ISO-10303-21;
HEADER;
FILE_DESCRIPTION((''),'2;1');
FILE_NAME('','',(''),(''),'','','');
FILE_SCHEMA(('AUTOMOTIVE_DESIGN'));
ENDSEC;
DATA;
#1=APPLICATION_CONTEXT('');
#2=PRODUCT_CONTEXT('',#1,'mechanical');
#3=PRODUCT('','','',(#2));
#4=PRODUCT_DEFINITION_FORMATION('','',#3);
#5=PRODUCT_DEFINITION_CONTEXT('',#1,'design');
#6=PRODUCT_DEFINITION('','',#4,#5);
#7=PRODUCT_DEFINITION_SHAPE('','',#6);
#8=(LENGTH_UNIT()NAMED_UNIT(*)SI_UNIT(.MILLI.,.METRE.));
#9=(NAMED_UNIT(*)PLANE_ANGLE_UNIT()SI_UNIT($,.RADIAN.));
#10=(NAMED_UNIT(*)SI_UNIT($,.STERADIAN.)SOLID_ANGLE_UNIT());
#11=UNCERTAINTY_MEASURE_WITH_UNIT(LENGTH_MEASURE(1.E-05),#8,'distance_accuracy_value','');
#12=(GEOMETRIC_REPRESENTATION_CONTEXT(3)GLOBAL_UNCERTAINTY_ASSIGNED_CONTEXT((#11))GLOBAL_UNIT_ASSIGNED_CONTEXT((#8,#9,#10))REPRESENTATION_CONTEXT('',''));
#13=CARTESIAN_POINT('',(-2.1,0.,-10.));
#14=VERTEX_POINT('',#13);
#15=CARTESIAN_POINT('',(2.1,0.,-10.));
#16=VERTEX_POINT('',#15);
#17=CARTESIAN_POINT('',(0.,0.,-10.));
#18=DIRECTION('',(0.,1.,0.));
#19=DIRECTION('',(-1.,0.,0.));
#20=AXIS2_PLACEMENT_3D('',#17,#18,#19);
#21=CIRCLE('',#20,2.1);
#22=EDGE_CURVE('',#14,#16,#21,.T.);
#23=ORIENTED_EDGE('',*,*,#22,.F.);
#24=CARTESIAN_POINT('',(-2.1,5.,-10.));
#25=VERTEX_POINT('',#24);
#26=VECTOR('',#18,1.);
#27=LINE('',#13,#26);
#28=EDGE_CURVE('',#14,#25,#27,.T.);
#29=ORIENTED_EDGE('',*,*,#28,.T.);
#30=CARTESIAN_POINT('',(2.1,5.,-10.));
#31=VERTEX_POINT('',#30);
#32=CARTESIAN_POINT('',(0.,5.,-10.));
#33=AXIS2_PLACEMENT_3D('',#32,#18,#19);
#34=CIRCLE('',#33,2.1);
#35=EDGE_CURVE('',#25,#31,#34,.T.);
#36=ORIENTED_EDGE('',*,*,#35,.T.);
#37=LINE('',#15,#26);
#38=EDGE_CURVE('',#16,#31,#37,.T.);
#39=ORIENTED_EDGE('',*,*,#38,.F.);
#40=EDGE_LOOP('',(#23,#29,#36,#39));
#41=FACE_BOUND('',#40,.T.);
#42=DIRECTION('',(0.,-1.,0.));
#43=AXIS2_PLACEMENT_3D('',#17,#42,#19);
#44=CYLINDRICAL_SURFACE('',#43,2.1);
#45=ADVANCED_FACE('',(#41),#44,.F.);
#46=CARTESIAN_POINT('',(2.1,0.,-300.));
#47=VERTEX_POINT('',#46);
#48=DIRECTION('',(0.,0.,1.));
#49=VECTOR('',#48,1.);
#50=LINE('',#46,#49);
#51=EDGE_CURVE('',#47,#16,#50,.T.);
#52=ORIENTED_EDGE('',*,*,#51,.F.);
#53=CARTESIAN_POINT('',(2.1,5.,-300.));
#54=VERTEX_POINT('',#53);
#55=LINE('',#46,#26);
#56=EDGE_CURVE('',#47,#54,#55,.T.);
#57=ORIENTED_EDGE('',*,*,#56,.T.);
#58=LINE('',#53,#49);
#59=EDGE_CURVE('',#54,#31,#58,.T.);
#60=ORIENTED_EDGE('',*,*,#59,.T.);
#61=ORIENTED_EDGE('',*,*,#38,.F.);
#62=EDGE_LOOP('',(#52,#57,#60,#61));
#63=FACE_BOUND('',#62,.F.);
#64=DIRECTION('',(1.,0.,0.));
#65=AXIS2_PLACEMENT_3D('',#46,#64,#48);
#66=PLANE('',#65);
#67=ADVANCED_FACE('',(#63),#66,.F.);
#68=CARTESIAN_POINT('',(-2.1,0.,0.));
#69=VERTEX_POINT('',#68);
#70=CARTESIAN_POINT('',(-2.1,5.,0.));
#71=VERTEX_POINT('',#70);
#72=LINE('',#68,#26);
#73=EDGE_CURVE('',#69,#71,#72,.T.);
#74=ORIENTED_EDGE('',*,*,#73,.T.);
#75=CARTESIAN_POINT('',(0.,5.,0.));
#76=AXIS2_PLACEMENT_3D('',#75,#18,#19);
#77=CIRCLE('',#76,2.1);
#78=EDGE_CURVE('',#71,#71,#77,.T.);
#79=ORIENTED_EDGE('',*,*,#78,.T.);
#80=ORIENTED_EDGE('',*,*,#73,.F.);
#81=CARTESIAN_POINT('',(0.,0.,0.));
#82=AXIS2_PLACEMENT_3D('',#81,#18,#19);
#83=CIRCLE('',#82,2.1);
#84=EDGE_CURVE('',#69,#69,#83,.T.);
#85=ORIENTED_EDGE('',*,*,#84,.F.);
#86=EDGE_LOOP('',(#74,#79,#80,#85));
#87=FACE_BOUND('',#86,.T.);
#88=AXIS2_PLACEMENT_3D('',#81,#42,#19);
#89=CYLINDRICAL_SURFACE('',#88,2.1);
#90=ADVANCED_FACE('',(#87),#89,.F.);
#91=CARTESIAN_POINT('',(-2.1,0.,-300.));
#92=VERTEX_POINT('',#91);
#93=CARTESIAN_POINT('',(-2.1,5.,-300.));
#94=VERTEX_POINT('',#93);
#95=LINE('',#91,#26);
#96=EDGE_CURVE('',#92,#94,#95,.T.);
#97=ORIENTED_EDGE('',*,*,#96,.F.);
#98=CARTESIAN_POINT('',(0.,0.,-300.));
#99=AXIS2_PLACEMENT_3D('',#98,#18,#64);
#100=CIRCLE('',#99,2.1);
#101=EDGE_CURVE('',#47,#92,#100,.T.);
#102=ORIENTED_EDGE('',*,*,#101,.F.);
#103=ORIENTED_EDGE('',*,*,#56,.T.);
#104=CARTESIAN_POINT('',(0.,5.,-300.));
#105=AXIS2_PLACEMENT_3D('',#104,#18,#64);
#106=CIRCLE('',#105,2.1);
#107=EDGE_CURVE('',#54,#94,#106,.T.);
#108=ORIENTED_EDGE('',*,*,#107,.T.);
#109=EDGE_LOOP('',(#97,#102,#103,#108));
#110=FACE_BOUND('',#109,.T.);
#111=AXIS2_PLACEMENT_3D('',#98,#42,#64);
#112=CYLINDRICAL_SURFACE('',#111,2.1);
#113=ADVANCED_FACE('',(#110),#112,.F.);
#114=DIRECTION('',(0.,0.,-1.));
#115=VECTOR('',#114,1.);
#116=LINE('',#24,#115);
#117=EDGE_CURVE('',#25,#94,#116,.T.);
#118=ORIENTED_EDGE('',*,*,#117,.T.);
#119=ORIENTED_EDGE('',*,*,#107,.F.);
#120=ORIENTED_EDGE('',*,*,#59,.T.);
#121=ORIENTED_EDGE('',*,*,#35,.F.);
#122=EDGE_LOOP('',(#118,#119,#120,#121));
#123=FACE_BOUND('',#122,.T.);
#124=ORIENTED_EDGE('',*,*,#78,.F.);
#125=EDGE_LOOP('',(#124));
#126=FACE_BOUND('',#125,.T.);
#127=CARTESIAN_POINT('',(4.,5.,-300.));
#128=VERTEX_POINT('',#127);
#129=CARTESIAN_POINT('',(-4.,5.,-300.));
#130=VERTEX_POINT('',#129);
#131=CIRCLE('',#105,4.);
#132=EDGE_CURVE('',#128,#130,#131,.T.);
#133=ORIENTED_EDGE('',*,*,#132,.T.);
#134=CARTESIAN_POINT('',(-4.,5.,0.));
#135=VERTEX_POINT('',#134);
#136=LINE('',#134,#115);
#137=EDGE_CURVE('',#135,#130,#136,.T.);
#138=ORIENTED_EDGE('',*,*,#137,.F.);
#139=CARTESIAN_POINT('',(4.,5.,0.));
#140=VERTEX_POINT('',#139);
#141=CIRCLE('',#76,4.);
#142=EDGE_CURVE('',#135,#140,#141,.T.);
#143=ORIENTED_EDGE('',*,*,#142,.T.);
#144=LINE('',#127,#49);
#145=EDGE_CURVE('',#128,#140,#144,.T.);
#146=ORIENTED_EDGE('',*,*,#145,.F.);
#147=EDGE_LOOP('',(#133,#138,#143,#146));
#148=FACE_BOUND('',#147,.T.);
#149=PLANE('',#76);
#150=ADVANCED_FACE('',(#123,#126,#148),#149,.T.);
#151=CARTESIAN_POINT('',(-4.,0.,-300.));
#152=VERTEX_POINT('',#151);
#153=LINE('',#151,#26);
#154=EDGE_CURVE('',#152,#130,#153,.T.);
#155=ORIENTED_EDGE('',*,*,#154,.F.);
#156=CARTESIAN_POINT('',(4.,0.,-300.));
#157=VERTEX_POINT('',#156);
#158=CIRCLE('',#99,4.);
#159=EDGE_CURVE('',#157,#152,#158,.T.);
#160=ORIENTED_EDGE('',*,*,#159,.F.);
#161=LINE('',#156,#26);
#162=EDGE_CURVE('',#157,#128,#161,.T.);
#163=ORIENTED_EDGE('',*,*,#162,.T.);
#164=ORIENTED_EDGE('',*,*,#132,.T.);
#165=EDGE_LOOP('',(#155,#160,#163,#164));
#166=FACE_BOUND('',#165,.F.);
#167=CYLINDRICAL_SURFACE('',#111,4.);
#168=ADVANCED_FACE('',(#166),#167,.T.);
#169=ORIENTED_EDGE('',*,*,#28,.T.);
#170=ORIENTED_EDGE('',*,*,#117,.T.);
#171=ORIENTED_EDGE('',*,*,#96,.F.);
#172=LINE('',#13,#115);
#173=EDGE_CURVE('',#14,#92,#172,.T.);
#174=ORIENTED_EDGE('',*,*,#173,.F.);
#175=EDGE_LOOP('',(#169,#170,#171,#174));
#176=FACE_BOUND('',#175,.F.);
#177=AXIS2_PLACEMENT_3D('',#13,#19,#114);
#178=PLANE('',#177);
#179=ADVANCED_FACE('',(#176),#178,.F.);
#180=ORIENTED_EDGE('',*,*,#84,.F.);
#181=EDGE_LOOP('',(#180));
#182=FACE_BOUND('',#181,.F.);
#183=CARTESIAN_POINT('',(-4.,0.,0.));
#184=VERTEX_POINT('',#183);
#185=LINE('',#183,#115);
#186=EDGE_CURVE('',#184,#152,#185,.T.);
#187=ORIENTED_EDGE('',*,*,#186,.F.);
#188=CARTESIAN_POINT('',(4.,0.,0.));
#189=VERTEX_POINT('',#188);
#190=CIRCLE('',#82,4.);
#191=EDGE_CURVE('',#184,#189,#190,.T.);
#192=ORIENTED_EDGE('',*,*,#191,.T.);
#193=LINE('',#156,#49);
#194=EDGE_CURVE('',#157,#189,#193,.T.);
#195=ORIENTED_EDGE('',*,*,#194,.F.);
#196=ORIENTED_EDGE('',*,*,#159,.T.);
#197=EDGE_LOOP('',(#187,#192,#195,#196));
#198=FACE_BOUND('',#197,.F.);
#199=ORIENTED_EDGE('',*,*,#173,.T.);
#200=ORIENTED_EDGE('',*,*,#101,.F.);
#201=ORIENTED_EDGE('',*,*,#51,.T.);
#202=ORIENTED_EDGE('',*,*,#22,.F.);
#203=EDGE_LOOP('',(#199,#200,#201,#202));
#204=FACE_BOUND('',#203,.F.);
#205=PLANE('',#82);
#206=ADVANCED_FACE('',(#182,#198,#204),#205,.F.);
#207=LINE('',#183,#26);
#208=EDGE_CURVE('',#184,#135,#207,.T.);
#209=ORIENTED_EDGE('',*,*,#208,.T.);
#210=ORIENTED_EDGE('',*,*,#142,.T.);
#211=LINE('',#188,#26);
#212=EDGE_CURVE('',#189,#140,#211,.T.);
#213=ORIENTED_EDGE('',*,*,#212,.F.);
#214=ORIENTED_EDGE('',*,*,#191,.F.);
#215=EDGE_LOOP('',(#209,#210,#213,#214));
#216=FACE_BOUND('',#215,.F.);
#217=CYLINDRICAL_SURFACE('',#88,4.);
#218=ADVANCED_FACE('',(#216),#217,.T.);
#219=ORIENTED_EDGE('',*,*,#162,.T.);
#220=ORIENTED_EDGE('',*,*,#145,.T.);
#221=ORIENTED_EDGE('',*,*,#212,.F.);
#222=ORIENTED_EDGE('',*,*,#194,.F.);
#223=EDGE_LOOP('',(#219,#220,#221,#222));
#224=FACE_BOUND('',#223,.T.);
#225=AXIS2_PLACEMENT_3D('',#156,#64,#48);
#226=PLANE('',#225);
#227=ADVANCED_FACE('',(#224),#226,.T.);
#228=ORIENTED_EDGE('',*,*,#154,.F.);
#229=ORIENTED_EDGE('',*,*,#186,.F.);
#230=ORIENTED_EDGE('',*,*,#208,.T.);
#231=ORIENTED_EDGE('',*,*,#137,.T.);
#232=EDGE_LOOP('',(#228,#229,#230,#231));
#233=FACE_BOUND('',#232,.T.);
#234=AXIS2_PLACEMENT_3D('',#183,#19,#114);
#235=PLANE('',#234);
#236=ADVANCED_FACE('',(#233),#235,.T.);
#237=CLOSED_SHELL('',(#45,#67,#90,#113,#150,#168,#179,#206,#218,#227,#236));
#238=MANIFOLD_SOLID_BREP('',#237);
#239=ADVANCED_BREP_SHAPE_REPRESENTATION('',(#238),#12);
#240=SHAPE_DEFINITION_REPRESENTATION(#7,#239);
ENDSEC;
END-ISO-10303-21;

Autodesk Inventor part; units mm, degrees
ref_plane "XZ Plane" through (0, 0, 0) normal (0, 1, 0) x (-1, 0, 0)
sketch "Sketch1" plane through (0, 0, 0) normal (0, 1, 0) x (-1, 0, 0)
  line L0 (0, 0) -> (0, -300) construction
  line L1 (4, 0) -> (4, -300)
  line L2 (-4, -300) -> (-4, 0)
  arc A0 (4, 0) -> (-4, 0) centre (0, 0) ccw
  arc A1 (-4, -300) -> (4, -300) centre (0, -300) ccw
  circle A2 centre (0, 0) radius 2.1
  line L3 (0, -10) -> (0, -300) construction
  line L4 (2.1, -10) -> (2.1, -300)
  line L5 (-2.1, -300) -> (-2.1, -10)
  arc A3 (2.1, -10) -> (-2.1, -10) centre (0, -10) ccw
  arc A4 (-2.1, -300) -> (2.1, -300) centre (0, -300) ccw
  point P0 (0, -150)
  point P1 (0, -155)
  dimension "d0" = 8
  dimension "d1" = 300
  dimension "d2" = 4.2
  dimension "d3" = 4.2
  dimension "d4" = 10
extrude "Extrusion1" add sketch "Sketch1" along normal blind 5
